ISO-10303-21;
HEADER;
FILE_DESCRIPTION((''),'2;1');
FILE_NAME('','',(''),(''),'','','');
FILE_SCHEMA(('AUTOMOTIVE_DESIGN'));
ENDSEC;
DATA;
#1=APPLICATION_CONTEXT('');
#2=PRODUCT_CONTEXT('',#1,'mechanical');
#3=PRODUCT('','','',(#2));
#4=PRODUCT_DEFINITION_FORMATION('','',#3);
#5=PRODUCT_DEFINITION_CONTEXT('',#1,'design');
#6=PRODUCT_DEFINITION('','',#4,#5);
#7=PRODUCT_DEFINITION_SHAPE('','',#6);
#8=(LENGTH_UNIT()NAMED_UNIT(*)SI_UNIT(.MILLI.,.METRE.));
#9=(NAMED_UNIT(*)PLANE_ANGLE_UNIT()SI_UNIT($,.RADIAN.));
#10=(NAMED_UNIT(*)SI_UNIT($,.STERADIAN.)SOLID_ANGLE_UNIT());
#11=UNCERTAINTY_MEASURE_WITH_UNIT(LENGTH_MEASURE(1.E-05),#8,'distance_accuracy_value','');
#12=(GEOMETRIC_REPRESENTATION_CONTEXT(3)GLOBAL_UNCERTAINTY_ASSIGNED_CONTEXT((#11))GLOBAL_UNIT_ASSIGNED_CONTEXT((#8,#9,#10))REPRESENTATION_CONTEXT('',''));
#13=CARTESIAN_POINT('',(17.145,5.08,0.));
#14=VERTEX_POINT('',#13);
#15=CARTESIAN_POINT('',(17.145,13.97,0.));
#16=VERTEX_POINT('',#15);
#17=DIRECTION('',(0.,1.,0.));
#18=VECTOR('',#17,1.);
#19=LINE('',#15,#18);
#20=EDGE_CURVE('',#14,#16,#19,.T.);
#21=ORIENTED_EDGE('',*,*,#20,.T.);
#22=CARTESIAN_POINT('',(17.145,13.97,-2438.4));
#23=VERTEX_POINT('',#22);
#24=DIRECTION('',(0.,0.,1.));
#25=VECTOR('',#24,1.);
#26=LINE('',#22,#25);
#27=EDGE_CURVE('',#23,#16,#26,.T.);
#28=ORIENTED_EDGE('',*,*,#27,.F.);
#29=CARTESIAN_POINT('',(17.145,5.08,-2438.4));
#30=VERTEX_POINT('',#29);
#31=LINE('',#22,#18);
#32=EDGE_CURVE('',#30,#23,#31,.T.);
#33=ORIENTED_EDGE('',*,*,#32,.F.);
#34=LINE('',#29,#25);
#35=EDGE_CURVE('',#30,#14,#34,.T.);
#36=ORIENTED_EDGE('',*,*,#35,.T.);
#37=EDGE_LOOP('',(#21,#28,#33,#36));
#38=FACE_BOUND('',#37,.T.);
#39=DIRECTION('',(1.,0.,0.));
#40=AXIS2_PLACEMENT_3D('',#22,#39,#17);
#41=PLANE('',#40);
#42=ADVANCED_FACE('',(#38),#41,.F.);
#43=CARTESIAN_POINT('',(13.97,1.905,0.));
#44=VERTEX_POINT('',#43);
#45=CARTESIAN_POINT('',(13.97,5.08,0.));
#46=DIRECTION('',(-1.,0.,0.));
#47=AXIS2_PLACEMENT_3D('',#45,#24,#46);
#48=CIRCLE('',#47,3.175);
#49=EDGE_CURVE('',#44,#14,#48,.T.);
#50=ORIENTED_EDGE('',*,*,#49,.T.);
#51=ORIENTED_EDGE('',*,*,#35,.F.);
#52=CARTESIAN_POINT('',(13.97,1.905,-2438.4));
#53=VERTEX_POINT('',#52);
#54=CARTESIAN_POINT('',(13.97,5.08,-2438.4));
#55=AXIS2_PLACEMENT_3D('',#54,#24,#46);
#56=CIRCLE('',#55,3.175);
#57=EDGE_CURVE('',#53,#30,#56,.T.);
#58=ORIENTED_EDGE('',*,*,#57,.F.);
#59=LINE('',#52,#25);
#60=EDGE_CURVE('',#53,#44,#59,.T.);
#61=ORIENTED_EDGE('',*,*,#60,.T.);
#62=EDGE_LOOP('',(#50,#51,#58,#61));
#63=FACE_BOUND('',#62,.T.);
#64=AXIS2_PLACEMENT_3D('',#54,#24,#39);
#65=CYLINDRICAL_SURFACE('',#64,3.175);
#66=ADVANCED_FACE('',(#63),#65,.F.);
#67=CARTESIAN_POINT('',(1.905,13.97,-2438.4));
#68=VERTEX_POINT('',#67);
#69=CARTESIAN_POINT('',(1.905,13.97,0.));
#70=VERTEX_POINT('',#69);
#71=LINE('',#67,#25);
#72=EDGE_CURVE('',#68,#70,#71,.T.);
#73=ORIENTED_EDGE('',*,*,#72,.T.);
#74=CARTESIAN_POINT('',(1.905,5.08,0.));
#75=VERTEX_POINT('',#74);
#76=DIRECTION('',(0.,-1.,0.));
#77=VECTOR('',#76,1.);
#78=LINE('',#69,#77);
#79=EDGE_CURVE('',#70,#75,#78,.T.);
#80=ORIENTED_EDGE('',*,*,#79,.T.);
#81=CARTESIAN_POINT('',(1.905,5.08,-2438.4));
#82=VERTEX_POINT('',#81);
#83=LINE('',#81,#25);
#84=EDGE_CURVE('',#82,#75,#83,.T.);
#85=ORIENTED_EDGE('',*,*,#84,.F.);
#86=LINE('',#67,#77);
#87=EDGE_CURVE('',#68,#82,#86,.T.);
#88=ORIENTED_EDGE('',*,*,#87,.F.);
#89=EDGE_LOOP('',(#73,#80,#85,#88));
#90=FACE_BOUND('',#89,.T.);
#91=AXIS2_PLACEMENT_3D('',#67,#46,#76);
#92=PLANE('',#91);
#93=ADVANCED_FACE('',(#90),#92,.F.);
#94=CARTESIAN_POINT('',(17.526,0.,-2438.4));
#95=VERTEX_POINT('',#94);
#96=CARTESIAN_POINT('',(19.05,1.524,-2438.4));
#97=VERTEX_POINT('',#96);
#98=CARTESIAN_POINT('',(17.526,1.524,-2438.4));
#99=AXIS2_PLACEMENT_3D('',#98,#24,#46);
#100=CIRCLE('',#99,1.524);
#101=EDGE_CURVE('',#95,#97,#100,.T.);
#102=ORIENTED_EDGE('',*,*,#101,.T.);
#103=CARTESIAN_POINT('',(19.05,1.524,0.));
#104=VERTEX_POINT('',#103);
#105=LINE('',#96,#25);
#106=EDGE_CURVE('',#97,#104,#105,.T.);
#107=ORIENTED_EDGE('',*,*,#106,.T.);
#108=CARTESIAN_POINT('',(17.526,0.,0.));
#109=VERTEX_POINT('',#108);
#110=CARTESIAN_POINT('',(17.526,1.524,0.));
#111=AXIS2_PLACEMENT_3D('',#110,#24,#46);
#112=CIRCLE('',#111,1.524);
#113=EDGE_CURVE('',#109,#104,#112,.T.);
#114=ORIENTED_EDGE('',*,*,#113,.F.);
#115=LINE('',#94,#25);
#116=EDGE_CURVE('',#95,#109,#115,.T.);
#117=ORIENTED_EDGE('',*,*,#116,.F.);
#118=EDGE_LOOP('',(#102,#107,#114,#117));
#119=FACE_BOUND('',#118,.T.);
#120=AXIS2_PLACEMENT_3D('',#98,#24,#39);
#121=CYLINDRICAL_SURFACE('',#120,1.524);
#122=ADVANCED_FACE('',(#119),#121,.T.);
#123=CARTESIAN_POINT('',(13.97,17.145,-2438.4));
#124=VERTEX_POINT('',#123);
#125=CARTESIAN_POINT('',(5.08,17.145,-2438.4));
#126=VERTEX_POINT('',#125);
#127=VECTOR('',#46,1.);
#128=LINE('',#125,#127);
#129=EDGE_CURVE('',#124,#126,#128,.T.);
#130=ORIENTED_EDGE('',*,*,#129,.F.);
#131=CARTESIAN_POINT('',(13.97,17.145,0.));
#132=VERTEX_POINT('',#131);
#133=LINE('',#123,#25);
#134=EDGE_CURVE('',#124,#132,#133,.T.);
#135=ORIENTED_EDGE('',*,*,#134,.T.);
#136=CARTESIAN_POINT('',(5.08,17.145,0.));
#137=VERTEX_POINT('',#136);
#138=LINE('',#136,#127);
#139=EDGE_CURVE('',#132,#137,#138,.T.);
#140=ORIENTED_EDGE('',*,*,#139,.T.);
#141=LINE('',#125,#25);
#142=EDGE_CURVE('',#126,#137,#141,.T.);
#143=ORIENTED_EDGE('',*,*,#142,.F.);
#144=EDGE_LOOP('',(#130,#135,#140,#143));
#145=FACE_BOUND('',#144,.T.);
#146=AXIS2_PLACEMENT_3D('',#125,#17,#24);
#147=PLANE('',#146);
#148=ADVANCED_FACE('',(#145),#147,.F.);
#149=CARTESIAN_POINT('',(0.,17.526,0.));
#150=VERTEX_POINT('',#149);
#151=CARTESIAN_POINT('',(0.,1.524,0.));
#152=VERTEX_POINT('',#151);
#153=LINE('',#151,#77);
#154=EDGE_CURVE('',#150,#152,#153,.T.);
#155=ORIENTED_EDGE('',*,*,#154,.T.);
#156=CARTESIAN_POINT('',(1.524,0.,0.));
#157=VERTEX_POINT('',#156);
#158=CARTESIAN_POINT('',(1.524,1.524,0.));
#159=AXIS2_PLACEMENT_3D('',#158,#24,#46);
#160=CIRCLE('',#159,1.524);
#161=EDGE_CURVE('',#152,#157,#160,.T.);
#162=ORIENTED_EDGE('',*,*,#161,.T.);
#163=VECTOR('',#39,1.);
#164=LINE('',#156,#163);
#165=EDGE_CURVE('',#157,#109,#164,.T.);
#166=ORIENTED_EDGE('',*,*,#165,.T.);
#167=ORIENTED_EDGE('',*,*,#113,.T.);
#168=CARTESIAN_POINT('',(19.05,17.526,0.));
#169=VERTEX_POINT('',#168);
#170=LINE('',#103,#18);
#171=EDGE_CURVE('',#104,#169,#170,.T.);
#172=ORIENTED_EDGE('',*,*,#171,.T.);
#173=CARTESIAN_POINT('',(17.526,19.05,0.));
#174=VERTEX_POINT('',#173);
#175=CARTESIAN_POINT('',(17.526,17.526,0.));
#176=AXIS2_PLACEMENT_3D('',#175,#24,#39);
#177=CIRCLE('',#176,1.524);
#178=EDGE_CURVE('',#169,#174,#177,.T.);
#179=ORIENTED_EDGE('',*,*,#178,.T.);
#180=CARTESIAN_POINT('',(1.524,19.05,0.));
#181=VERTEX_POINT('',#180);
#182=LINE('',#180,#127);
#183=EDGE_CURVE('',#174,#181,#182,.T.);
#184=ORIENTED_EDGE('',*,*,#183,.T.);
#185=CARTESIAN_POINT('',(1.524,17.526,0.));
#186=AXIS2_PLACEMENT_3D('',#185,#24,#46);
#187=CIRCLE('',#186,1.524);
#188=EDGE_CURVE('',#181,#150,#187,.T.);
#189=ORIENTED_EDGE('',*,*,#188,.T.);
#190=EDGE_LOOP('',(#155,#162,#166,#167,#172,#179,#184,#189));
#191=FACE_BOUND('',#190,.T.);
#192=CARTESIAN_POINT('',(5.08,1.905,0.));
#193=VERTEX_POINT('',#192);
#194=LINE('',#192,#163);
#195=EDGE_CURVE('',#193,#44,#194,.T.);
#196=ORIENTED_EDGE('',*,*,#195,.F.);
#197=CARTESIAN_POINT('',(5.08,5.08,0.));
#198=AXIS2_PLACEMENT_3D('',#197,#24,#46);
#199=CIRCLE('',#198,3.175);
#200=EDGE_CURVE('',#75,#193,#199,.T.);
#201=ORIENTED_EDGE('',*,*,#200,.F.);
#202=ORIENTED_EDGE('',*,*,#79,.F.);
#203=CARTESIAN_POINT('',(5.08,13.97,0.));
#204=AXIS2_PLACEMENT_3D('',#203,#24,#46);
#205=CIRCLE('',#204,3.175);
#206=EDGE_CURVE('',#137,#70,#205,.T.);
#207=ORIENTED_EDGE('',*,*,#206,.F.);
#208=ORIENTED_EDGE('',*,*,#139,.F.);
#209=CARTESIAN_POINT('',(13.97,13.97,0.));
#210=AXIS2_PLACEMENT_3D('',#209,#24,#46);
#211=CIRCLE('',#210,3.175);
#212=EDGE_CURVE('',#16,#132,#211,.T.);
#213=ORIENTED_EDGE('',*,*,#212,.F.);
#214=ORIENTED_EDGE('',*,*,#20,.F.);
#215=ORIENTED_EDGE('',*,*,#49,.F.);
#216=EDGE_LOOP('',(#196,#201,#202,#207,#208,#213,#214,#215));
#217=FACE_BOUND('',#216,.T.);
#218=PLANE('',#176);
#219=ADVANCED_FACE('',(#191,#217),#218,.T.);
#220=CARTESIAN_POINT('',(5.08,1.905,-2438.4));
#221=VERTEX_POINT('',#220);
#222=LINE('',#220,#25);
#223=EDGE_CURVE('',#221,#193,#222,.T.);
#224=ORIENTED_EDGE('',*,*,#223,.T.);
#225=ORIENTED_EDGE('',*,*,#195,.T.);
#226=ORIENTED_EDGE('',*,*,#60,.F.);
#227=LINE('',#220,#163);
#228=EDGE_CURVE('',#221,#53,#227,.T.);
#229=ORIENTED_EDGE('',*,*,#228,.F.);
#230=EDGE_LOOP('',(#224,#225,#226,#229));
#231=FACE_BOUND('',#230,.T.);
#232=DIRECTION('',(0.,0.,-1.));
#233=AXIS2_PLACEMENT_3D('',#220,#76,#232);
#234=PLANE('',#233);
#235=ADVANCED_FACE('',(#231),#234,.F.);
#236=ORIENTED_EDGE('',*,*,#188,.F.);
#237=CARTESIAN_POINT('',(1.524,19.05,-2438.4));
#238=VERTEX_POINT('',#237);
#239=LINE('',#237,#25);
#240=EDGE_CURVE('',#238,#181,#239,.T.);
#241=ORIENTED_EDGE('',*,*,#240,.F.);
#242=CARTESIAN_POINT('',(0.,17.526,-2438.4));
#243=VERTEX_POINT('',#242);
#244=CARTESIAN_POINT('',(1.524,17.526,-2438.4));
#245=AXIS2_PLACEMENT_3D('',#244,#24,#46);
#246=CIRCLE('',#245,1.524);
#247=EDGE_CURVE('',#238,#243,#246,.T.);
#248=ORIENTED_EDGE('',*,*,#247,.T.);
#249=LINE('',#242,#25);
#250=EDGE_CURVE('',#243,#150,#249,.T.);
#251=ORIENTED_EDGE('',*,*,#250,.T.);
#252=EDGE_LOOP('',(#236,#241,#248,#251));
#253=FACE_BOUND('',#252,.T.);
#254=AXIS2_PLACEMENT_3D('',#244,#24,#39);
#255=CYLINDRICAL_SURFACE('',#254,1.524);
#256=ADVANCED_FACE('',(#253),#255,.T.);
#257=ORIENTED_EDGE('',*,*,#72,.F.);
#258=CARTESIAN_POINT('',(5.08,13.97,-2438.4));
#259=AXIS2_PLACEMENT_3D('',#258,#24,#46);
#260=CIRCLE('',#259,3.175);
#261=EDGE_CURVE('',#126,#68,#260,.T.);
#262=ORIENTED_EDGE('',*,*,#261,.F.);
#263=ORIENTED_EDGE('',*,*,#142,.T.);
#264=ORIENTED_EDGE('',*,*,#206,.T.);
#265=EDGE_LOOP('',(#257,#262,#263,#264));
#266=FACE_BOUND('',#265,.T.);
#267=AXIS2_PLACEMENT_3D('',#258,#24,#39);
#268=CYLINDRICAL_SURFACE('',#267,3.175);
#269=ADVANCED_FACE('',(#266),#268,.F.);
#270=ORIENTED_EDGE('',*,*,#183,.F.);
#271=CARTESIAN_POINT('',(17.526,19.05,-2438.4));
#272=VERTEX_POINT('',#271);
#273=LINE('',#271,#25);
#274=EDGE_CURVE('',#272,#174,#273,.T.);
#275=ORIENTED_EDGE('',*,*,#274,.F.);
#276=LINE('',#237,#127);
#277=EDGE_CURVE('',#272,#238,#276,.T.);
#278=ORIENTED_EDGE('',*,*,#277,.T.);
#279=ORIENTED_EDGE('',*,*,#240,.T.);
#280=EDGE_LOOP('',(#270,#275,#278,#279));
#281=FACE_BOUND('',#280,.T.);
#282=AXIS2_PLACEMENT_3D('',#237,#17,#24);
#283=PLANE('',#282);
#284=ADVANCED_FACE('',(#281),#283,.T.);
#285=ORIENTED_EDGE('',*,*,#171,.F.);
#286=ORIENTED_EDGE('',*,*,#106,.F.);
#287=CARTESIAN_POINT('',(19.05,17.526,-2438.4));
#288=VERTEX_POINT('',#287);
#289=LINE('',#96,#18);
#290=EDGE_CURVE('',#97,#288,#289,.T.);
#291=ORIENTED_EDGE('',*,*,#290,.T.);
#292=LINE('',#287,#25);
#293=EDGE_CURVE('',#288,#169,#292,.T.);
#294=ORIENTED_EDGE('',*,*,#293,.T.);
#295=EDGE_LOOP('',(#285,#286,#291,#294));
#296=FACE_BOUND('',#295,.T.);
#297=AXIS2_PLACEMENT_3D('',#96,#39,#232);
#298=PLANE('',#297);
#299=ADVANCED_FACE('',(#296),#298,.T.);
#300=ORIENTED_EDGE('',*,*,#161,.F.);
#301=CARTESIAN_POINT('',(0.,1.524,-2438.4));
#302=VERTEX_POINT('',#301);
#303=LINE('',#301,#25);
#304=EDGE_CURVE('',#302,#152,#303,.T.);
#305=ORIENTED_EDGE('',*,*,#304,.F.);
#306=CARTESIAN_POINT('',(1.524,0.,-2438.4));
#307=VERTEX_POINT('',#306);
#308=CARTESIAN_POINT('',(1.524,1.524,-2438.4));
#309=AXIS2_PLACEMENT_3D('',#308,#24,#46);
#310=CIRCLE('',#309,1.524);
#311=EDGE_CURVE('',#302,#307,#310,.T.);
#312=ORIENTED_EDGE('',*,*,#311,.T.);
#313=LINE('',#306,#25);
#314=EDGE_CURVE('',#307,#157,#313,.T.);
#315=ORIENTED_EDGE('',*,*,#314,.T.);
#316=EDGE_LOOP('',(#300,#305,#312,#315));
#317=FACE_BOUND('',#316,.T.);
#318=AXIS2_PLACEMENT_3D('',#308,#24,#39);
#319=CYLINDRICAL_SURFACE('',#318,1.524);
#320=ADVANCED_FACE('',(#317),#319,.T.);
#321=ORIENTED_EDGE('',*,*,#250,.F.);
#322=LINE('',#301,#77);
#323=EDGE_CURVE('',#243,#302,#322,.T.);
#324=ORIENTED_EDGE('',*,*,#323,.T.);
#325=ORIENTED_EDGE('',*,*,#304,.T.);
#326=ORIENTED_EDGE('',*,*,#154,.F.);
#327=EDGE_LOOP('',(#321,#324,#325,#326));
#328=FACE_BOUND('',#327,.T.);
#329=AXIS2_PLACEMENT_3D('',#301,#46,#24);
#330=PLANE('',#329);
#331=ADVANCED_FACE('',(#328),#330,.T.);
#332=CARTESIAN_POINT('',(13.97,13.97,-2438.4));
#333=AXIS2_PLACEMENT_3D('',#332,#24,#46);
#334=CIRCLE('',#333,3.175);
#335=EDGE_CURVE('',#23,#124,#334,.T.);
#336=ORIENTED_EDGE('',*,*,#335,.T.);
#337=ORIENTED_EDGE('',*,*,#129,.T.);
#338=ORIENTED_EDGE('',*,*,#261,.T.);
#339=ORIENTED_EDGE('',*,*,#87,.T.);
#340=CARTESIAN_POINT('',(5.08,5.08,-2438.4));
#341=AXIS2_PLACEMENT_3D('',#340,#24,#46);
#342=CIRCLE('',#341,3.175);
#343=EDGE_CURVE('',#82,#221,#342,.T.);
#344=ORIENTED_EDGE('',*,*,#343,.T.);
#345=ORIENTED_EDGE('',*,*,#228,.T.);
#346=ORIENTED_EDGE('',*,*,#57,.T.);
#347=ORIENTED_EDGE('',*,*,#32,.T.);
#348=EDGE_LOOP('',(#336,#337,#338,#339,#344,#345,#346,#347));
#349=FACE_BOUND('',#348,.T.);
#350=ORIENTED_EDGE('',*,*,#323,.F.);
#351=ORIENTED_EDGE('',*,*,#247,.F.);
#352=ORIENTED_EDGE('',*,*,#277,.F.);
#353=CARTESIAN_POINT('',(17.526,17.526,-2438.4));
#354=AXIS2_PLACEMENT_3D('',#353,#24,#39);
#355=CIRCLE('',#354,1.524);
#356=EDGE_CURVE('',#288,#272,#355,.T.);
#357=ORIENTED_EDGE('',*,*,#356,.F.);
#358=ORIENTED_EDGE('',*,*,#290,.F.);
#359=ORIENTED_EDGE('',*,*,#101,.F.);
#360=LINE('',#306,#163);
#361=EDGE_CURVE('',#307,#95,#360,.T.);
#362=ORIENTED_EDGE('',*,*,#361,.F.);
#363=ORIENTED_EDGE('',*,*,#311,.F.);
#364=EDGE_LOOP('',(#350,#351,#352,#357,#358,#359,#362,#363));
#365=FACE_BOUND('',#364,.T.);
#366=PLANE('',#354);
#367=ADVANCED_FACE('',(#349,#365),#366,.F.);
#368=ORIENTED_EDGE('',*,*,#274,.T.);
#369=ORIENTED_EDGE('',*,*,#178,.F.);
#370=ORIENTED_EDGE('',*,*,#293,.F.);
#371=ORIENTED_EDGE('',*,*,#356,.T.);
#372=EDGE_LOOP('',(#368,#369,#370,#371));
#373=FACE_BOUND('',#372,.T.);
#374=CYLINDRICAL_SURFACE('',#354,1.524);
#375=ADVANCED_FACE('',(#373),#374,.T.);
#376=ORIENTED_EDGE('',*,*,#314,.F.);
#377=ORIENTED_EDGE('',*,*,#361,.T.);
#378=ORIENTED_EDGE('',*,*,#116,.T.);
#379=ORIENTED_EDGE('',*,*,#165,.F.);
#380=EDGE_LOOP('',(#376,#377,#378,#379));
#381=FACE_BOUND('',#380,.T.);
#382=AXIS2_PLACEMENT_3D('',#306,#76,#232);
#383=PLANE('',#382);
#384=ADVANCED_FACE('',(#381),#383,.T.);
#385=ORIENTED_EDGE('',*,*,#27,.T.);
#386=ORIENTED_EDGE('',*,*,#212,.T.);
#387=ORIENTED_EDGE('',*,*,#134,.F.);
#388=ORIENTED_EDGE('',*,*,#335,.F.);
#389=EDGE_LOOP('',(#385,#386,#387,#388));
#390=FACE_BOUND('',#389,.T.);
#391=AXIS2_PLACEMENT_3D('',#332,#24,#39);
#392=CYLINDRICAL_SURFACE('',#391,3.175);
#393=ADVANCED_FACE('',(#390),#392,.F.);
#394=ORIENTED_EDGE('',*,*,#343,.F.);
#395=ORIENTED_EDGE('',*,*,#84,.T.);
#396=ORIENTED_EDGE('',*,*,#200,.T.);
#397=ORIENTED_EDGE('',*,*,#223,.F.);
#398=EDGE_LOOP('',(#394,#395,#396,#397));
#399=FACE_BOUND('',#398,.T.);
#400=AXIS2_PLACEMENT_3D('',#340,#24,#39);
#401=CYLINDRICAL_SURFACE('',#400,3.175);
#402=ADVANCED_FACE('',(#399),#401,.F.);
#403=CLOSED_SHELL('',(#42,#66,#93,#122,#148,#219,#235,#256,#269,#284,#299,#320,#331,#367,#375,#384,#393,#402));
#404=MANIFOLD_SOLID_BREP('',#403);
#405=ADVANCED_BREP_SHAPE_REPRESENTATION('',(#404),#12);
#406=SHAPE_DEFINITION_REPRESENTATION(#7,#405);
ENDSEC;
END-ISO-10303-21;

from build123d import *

# Parameters (mm, degrees)
BOSS_EXTRUDE1_DEPTH = 2438.4
CUT_EXTRUDE1_DEPTH  = 2439.4


with BuildPart() as part:
    # Sketch1 → Boss-Extrude1 (new body)
    with BuildSketch(Plane.XY):
        with BuildLine():
            Line((1.524, 0), (17.526, 0))
            ThreePointArc((17.526, 0), (18.603630735, 0.446369265), (19.05, 1.524))
            Line((19.05, 1.524), (19.05, 17.526))
            ThreePointArc((19.05, 17.526), (18.603630735, 18.603630735), (17.526, 19.05))
            Line((17.526, 19.05), (1.524, 19.05))
            ThreePointArc((1.524, 19.05), (0.446369265, 18.603630735), (0, 17.526))
            Line((0, 17.526), (0, 1.524))
            ThreePointArc((0, 1.524), (0.446369265, 0.446369265), (1.524, 0))
        make_face()
    extrude(amount=-BOSS_EXTRUDE1_DEPTH)

    # Sketch2 → Cut-Extrude1 (cut, through all)
    with BuildSketch(Plane.XY):
        with BuildLine():
            Line((5.08, 17.145), (13.97, 17.145))
            ThreePointArc((13.97, 17.145), (16.21506403, 16.21506403), (17.145, 13.97))
            Line((17.145, 13.97), (17.145, 5.08))
            ThreePointArc((17.145, 5.08), (16.21506403, 2.83493597), (13.97, 1.905))
            Line((13.97, 1.905), (5.08, 1.905))
            ThreePointArc((5.08, 1.905), (2.83493597, 2.83493597), (1.905, 5.08))
            Line((1.905, 5.08), (1.905, 13.97))
            ThreePointArc((1.905, 13.97), (2.83493597, 16.21506403), (5.08, 17.145))
        make_face()
    extrude(amount=-CUT_EXTRUDE1_DEPTH, mode=Mode.SUBTRACT)


solid = part.part
